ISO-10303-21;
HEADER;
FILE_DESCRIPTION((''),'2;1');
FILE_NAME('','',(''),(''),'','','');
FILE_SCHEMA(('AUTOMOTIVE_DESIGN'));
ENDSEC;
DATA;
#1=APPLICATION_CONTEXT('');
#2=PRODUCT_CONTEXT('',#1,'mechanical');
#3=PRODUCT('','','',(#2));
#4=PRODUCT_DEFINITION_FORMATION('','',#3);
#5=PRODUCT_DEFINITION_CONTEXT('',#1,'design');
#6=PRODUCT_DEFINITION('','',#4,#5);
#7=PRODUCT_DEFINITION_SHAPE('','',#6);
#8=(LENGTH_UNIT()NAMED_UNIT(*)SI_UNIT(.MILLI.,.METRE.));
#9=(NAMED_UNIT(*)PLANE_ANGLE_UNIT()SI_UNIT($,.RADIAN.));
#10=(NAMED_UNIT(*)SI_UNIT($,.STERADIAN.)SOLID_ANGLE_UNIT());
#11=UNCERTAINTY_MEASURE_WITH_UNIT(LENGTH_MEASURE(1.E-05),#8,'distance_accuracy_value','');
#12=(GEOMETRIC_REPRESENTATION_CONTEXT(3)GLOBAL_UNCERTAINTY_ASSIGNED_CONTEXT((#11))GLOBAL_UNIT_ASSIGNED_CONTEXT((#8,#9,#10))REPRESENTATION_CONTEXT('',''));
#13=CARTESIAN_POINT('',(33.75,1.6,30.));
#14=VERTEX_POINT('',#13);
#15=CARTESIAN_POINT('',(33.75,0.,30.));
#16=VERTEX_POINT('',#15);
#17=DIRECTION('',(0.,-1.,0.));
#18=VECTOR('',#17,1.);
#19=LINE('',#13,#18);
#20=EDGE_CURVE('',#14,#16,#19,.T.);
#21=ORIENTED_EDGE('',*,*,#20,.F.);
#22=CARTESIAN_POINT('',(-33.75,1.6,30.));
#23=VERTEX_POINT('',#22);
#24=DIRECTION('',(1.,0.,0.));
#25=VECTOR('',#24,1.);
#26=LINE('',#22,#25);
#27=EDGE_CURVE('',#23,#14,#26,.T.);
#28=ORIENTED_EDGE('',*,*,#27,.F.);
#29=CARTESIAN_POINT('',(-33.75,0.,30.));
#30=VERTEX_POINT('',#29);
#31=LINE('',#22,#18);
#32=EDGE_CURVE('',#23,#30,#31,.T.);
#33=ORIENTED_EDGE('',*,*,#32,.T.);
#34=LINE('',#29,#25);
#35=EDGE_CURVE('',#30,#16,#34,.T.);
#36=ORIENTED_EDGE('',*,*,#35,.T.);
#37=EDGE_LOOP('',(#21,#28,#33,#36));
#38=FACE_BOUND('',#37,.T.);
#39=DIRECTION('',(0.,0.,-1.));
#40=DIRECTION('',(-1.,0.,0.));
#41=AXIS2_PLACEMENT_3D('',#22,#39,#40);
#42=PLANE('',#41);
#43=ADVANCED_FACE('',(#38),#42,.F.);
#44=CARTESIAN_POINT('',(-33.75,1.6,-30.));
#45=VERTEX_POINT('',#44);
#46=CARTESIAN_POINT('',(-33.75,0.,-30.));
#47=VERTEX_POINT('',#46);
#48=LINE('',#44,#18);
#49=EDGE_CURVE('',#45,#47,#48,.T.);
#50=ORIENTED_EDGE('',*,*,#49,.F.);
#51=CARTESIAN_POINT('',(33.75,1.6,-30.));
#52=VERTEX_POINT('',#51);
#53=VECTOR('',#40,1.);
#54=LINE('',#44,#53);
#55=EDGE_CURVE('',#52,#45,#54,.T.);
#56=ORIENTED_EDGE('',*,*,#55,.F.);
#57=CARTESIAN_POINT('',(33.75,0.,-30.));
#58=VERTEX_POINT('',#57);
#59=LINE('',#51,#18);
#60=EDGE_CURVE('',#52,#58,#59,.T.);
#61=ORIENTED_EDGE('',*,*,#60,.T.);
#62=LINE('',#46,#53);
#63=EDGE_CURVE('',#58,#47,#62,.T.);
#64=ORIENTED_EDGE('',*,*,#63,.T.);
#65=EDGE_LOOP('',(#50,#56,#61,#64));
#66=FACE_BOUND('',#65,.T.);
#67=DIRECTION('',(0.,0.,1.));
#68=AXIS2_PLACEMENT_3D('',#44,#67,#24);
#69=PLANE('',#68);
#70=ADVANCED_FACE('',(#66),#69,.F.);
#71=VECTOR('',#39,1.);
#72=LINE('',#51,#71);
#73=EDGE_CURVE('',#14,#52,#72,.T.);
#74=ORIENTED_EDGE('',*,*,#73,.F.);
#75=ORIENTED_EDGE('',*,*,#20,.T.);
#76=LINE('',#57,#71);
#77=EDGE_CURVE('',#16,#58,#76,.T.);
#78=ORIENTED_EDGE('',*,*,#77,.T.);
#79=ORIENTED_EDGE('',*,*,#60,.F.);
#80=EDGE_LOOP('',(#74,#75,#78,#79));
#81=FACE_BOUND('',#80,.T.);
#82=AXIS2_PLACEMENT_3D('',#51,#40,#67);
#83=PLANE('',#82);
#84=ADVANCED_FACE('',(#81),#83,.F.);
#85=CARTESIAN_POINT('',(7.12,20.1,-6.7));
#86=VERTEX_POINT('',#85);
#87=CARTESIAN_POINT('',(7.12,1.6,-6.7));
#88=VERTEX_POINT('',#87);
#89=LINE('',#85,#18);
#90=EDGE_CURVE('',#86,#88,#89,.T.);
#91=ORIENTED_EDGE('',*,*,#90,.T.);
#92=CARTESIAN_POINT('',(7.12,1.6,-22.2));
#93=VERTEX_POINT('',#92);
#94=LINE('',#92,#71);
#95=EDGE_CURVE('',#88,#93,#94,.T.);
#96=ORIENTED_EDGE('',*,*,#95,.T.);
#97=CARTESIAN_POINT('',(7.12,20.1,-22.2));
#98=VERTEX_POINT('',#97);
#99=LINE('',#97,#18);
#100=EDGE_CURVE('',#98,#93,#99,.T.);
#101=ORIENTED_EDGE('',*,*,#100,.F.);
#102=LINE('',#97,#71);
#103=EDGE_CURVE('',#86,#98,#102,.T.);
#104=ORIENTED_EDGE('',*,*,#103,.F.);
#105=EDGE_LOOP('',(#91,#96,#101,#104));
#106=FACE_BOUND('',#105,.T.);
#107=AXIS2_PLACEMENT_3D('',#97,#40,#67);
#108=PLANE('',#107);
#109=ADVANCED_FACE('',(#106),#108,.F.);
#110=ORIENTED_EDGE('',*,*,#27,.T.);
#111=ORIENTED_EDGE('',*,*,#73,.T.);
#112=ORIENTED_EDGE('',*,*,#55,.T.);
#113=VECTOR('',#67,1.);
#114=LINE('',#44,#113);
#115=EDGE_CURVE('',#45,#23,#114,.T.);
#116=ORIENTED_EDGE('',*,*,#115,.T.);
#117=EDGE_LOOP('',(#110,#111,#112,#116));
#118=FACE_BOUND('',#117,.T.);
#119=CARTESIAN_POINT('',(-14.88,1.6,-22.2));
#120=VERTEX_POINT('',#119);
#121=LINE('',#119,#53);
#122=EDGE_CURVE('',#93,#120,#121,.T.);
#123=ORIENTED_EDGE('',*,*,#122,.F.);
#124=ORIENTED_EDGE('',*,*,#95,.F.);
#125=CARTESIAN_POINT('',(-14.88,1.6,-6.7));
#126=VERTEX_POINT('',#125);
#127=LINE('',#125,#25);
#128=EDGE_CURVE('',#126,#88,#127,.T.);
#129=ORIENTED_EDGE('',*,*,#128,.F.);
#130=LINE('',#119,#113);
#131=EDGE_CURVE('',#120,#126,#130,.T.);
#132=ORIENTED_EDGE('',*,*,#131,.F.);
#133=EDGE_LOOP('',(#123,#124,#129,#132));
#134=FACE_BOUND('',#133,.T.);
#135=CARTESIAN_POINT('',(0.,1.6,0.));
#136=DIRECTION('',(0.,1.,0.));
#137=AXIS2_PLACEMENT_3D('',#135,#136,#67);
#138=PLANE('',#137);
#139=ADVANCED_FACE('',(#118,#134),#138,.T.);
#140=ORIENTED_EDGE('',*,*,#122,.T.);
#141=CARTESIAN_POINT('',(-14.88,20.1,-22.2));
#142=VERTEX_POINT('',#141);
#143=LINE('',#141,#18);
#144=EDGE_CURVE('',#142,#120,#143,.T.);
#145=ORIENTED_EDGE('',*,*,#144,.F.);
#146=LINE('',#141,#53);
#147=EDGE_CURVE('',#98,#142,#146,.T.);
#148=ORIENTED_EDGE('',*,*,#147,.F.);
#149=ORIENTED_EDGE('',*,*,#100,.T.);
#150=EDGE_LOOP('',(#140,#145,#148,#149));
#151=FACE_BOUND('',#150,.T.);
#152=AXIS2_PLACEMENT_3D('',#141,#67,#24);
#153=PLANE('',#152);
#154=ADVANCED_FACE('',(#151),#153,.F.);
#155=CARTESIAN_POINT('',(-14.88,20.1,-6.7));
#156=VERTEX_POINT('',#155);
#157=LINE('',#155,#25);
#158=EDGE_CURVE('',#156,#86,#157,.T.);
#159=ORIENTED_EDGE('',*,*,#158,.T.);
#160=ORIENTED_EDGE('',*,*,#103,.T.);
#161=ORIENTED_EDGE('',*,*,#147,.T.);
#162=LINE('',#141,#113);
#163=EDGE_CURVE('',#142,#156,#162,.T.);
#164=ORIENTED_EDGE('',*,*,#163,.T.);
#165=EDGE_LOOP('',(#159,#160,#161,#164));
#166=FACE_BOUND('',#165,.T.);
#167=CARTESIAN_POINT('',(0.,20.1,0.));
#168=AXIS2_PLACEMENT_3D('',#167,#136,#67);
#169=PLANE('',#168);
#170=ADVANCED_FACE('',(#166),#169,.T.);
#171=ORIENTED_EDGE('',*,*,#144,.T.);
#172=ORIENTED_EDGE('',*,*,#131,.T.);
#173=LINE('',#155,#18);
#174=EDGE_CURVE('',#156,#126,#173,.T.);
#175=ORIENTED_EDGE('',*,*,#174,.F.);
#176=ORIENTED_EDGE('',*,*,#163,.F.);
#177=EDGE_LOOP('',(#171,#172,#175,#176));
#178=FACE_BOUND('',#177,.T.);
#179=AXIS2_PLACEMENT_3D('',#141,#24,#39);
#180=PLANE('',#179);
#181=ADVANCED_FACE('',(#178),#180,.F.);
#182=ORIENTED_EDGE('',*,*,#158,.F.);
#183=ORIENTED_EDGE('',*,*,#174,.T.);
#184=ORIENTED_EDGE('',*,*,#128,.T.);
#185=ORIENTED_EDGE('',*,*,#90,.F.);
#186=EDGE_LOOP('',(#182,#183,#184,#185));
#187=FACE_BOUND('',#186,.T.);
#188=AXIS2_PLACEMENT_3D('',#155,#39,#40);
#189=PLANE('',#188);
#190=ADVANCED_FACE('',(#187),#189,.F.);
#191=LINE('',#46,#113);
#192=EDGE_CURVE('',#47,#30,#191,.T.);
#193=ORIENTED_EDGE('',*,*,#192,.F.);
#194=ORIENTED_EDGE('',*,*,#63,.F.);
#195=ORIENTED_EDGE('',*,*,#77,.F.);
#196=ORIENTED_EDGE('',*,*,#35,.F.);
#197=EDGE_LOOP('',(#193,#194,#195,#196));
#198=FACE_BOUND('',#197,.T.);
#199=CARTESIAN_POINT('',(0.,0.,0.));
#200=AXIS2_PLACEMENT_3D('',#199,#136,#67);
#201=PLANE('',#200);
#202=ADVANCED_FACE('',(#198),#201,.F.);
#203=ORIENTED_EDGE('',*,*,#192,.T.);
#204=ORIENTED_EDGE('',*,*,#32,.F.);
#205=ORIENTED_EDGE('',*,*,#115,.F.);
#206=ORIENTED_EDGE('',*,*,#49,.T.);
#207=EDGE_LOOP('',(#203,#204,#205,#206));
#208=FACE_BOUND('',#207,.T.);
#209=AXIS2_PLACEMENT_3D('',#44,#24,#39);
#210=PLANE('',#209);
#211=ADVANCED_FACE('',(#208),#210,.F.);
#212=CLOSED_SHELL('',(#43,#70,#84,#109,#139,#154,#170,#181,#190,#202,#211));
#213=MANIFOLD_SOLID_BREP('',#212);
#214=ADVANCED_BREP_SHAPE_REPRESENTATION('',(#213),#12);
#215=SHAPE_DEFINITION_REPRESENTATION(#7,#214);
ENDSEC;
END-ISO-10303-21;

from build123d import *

# Parameters (mm, degrees)
SKETCH1_W           = 67.5
SKETCH1_H           = 60
BOSS_EXTRUDE1_DEPTH = 1.6
SKETCH2_W           = 22
SKETCH2_H           = 15.5
BOSS_EXTRUDE2_DEPTH = 18.5


with BuildPart() as part:
    # Sketch1 → Boss-Extrude1 (new body)
    with BuildSketch(Plane(origin=(0, 0, 0), x_dir=(1, 0, 0), z_dir=(0, 1, 0))):
        Rectangle(SKETCH1_W, SKETCH1_H)
    extrude(amount=BOSS_EXTRUDE1_DEPTH)

    # Sketch2 → Boss-Extrude2 (add)
    with BuildSketch(Plane(origin=(0, 1.6, 0), x_dir=(1, 0, 0), z_dir=(0, 1, 0))):
        with Locations((-3.88, 14.45)):
            Rectangle(SKETCH2_W, SKETCH2_H)
    extrude(amount=BOSS_EXTRUDE2_DEPTH)


solid = part.part
